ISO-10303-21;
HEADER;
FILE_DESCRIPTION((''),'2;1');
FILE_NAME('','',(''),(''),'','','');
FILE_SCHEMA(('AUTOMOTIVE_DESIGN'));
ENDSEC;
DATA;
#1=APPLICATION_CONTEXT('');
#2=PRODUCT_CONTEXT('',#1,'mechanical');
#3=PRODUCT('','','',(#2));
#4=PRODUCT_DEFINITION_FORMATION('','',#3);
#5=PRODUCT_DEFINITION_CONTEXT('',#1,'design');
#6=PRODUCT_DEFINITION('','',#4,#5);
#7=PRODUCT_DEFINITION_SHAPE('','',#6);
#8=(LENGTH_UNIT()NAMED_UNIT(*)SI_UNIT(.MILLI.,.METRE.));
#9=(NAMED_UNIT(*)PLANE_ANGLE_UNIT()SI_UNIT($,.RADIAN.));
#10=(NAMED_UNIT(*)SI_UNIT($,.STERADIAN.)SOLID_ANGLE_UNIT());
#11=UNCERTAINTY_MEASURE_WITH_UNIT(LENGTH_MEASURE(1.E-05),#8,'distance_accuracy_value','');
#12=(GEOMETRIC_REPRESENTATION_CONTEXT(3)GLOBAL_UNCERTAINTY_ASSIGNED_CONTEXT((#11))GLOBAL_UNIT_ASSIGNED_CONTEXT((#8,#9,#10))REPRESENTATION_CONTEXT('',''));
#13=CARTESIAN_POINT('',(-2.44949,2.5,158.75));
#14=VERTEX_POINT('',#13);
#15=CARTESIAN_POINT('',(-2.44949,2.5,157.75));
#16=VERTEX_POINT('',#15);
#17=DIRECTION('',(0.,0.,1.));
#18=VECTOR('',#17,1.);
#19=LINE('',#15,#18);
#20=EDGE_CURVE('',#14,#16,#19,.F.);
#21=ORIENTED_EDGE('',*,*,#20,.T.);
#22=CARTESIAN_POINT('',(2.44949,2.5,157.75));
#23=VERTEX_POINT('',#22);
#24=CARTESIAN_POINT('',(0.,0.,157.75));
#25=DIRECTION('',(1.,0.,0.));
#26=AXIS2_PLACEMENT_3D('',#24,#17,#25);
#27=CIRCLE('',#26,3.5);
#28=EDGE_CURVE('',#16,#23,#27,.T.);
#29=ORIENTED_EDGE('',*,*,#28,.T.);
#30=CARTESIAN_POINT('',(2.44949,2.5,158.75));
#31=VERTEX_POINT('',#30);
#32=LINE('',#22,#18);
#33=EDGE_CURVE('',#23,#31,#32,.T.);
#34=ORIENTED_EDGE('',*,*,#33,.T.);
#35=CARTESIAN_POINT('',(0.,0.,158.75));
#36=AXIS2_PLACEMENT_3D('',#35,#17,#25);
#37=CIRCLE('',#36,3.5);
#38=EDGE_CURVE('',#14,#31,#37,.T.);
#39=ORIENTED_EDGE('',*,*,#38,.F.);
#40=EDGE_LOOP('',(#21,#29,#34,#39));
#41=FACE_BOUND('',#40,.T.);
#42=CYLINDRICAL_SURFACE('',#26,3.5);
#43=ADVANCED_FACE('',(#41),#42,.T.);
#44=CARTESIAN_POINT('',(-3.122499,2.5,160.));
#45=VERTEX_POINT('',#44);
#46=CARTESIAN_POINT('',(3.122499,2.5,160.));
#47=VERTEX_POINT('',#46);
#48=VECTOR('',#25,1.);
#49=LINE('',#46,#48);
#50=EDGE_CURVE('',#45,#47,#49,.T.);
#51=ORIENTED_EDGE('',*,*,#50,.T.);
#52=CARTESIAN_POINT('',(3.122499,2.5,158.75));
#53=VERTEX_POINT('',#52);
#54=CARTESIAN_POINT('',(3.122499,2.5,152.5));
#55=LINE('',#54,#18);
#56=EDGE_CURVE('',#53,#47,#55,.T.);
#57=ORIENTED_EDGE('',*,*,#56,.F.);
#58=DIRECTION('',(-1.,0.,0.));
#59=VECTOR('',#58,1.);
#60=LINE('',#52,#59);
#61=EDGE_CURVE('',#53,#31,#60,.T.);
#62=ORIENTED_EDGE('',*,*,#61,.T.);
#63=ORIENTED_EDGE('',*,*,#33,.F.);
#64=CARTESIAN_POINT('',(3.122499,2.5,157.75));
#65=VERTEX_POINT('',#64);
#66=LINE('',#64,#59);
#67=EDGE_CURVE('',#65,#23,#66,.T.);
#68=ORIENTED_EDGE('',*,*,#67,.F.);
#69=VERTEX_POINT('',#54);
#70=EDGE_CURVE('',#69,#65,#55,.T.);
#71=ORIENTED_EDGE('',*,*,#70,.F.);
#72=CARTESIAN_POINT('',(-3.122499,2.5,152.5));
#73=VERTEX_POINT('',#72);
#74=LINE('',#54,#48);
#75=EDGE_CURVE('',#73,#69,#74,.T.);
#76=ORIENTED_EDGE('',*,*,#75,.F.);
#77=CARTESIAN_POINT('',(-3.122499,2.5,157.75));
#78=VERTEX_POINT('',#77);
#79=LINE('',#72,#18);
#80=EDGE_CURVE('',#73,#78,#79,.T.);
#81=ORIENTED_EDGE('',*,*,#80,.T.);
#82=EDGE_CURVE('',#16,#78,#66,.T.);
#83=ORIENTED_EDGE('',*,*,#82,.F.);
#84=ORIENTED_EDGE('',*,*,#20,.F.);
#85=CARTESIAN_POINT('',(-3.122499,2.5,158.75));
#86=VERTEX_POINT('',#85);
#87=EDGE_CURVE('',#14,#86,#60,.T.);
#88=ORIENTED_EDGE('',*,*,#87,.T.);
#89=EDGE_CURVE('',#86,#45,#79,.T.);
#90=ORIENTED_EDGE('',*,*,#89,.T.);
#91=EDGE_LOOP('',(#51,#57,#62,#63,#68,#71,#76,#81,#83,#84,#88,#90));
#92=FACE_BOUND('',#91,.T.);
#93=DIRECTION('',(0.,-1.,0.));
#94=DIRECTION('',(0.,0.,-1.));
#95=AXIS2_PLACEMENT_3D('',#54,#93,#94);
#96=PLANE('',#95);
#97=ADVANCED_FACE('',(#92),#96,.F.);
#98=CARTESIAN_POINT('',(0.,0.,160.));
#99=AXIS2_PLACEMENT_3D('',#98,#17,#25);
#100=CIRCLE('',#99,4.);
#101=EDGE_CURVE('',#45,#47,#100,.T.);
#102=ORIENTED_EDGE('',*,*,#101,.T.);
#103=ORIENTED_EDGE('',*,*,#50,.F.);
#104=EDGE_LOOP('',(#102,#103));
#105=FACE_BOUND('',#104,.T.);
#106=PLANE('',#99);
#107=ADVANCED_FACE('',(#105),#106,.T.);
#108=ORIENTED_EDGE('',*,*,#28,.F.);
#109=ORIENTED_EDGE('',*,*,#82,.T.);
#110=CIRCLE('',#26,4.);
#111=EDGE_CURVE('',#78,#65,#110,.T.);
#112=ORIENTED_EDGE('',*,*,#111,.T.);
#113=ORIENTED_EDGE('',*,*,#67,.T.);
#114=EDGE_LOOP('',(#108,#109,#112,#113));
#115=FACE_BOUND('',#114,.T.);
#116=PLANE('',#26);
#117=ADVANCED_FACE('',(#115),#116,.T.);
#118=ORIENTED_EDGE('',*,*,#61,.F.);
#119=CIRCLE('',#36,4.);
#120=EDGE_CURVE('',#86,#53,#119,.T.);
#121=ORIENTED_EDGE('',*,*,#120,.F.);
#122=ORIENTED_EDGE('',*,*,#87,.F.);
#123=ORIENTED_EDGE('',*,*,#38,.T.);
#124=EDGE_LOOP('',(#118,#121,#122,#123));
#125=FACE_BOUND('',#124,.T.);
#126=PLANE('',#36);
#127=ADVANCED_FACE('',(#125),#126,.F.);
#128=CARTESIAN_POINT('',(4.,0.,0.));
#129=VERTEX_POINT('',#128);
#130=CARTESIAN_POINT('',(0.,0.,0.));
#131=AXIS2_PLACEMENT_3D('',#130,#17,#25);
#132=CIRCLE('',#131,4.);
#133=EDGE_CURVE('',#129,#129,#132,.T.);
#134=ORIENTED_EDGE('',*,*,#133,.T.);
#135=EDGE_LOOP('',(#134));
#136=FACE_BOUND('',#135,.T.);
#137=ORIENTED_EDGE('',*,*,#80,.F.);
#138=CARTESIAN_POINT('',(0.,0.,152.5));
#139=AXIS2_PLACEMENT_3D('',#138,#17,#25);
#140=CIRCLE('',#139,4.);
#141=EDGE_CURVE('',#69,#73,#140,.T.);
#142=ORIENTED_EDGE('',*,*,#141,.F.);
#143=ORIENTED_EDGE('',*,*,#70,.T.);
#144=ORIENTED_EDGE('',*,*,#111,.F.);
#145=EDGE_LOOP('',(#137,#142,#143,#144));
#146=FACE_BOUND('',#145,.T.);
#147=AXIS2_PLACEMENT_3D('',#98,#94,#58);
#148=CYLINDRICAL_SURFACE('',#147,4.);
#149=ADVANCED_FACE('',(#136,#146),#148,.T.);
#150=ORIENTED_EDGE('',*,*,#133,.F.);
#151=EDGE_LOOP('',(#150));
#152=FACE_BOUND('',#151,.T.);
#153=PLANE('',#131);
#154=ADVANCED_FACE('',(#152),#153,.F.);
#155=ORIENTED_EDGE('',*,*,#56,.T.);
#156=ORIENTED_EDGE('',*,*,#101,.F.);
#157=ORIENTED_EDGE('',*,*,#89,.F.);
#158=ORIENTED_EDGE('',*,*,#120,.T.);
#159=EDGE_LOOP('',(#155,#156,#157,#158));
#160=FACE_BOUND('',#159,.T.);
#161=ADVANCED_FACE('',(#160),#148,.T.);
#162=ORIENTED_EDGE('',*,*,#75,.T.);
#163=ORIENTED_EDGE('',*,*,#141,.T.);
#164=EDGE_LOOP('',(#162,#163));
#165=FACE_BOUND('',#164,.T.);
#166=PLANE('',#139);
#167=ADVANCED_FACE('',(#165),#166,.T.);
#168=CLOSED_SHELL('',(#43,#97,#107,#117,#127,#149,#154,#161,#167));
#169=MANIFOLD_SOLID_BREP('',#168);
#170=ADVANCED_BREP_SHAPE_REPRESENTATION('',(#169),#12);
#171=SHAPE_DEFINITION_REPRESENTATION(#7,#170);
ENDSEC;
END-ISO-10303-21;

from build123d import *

# Parameters (mm, degrees)
SKETCH1_R           = 4
BOSS_EXTRUDE1_DEPTH = 160
CUT_EXTRUDE1_DEPTH  = 7.5
SKETCH3_R           = 4
SKETCH3_R_2         = 3.5
CUT_EXTRUDE2_DEPTH  = 1


with BuildPart() as part:
    # Sketch1 → Boss-Extrude1 (new body)
    with BuildSketch(Plane.XY):
        Circle(SKETCH1_R)
    extrude(amount=BOSS_EXTRUDE1_DEPTH)

    # Sketch2 → Cut-Extrude1 (cut)
    with BuildSketch(Plane.XY.offset(160)):
        with BuildLine():
            Line((3.122498999, 2.5), (-3.122498999, 2.5))
            ThreePointArc((-3.122498999, 2.5), (0, 4), (3.122498999, 2.5))
        make_face()
    extrude(amount=-CUT_EXTRUDE1_DEPTH, mode=Mode.SUBTRACT)

    # Sketch3 → Cut-Extrude2 (cut)
    with BuildSketch(Plane.XY.offset(158.75)):
        Circle(SKETCH3_R)
        Circle(SKETCH3_R_2, mode=Mode.SUBTRACT)
    extrude(amount=-CUT_EXTRUDE2_DEPTH, mode=Mode.SUBTRACT)


solid = part.part
